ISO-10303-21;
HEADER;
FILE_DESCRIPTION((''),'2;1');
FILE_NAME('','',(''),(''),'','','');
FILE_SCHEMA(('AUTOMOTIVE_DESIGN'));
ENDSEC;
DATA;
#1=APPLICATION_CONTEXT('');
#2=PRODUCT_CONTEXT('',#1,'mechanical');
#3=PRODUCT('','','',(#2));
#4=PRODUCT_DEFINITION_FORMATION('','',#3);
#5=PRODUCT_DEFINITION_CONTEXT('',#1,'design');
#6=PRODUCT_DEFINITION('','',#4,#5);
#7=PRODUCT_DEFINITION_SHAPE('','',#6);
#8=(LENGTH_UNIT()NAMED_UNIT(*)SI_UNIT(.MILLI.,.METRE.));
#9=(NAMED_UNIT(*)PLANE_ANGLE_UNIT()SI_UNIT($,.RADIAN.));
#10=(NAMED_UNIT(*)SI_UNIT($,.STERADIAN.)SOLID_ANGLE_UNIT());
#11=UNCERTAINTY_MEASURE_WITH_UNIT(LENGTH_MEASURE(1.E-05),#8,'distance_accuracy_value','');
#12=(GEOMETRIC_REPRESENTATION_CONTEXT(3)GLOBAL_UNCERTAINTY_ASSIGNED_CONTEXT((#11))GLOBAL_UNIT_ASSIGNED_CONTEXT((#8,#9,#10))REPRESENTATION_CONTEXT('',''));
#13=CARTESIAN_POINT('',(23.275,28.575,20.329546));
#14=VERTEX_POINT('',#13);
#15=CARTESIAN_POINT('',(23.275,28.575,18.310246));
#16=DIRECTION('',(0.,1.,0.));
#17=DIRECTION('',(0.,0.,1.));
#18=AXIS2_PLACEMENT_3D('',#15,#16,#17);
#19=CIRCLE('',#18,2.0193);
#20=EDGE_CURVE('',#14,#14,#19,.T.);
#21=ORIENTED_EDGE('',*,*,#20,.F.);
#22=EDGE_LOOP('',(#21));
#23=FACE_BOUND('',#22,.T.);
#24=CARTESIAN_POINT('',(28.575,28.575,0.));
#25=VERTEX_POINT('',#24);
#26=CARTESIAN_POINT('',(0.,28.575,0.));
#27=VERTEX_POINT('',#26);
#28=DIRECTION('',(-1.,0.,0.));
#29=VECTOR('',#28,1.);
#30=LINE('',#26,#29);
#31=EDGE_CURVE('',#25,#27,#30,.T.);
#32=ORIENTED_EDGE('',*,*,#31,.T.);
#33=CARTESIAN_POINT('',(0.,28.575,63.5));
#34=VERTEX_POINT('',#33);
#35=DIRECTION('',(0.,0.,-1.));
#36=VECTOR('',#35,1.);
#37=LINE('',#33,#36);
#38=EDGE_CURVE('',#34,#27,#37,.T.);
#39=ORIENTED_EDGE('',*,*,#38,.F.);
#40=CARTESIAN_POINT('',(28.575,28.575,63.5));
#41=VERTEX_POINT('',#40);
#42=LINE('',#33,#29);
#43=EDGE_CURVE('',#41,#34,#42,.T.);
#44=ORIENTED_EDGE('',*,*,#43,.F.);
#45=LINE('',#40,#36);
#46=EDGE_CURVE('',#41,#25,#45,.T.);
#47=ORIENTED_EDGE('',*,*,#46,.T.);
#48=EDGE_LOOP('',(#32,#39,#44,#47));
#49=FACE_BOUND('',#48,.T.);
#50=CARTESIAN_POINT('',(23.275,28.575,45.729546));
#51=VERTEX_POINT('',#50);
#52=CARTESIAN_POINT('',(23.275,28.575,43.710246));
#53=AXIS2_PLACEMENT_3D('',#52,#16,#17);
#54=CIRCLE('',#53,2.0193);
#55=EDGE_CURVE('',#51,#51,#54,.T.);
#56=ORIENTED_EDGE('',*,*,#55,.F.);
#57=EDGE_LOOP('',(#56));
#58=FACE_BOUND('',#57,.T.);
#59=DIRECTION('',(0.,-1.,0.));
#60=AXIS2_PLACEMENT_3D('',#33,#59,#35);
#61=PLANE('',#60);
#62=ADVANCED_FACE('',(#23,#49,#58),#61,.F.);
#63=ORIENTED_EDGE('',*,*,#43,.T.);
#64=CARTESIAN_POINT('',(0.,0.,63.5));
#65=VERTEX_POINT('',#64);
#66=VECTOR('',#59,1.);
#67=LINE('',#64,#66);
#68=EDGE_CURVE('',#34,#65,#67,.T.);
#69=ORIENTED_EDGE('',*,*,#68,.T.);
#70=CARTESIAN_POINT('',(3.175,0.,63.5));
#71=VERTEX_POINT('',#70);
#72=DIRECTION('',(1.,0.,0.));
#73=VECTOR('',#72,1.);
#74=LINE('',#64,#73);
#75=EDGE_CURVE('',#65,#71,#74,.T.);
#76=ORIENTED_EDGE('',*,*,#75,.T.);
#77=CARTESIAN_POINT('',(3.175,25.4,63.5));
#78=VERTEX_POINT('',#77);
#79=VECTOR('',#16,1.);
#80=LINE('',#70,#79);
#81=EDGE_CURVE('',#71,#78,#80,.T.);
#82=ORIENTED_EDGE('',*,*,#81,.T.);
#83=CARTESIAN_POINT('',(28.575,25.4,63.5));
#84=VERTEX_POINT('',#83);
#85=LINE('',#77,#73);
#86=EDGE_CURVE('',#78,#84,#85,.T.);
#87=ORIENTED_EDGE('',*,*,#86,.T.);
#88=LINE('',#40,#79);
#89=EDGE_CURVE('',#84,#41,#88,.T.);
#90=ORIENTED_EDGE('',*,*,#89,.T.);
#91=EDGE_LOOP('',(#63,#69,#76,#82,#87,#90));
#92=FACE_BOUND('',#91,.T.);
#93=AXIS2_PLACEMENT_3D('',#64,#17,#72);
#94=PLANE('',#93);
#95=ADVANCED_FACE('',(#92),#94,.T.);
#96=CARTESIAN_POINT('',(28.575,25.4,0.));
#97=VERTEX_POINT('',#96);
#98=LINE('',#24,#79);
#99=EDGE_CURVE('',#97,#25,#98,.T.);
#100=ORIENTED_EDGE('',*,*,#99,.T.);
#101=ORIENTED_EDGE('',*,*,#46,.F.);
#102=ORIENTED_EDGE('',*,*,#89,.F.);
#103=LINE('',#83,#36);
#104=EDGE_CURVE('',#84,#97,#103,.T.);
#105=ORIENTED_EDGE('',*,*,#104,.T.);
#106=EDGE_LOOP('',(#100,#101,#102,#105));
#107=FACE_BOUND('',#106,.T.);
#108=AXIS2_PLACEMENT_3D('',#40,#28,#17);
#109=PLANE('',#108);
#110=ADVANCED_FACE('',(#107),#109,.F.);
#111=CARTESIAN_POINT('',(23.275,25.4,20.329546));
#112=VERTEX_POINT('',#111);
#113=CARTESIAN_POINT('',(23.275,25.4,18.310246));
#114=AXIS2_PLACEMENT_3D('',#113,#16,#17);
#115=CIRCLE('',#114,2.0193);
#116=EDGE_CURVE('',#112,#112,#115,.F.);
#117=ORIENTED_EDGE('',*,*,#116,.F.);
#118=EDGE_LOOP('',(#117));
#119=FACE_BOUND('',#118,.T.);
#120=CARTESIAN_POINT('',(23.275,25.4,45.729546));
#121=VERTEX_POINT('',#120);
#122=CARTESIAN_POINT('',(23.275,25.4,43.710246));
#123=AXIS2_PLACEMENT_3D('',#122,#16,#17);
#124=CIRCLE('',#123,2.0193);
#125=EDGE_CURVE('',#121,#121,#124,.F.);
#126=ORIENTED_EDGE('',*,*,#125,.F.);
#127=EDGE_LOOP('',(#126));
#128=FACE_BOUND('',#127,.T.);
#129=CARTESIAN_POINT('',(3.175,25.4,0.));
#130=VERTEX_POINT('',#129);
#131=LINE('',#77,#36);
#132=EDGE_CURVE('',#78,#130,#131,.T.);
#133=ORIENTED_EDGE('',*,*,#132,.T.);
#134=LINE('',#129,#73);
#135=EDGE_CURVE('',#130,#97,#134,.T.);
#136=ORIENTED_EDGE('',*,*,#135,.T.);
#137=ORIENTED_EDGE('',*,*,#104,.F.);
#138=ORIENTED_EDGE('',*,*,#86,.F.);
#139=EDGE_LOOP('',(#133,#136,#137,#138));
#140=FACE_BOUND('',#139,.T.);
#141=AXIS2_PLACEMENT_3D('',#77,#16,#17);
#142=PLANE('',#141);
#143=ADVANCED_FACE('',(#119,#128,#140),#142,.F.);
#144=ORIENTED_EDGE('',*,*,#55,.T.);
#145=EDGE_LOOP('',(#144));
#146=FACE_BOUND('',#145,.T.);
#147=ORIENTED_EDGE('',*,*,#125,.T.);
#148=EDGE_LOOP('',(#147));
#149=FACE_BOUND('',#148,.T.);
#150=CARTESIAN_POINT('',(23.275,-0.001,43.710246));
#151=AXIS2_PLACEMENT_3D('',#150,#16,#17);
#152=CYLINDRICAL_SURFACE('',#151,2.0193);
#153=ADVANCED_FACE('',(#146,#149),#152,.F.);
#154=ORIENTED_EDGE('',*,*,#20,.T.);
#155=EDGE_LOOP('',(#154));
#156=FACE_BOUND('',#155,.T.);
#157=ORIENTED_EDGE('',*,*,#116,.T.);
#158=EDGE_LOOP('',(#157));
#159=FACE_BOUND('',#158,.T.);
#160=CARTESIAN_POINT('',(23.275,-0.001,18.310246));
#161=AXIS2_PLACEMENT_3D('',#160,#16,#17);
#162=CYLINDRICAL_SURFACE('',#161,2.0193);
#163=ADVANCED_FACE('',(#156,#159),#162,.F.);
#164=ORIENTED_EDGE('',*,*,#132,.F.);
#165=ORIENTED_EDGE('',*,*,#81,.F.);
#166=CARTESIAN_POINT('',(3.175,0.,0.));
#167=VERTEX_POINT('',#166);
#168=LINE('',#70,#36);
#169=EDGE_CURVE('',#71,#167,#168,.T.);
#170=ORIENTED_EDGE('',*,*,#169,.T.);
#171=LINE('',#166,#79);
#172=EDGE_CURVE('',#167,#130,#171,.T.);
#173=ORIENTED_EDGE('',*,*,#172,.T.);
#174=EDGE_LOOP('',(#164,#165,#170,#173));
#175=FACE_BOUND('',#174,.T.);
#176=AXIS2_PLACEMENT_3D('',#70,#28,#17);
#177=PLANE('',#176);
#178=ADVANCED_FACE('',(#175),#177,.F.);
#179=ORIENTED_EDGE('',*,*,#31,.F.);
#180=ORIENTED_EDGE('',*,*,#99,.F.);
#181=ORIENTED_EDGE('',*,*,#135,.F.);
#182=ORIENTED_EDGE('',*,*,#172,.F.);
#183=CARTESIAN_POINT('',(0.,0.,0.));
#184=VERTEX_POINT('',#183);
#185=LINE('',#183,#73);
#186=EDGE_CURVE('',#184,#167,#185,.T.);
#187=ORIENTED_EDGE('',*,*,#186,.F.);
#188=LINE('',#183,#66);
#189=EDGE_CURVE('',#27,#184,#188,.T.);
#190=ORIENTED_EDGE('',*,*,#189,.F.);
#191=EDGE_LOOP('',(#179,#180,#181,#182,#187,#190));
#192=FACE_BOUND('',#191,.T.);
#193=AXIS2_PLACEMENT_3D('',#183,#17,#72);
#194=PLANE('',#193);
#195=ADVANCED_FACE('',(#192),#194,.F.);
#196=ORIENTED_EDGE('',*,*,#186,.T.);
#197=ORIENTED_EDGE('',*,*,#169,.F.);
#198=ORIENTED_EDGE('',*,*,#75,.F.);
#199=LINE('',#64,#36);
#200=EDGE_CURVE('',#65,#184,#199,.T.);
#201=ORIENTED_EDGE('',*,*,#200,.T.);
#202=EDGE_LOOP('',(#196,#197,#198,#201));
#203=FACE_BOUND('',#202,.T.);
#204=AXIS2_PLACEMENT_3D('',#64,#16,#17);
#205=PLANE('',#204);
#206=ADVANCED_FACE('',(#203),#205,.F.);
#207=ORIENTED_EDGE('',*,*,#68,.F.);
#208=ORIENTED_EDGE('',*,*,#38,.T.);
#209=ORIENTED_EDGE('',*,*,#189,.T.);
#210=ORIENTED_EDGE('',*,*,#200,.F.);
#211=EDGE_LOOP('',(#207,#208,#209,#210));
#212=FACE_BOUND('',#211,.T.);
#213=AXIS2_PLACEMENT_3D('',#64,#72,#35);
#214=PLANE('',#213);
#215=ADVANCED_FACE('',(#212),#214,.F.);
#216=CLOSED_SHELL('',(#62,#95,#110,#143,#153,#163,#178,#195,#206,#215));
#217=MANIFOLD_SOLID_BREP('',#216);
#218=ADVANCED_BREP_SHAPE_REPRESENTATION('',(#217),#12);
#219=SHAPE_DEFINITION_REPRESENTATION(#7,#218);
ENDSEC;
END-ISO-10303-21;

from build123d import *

# Parameters (mm, degrees)
BOSS_EXTRUDE1_DEPTH = 63.5
CUT_EXTRUDE1_REACH  = 30.575
SKETCH2_R           = 2.0193


with BuildPart() as part:
    # Sketch1 → Boss-Extrude1 (new body)
    with BuildSketch(Plane.XY):
        Polygon((0, 0), (0, 28.575), (28.575, 28.575), (28.575, 25.4), (3.175, 25.4), (3.175, 0), align=None)
    extrude(amount=BOSS_EXTRUDE1_DEPTH)

    # Sketch2 → Cut-Extrude1 (cut, up to next)
    with BuildSketch(Plane(origin=(0, 28.575, 0), x_dir=(1, 0, 0), z_dir=(0, 1, 0)), mode=Mode.PRIVATE) as cut_extrude1_sk1:
        with Locations((23.275, -43.710246093)):
            Circle(SKETCH2_R)
    cut_extrude1_tool1 = extrude(cut_extrude1_sk1.sketch, amount=-CUT_EXTRUDE1_REACH, mode=Mode.PRIVATE) & part.part
    add(cut_extrude1_tool1.solids().sort_by_distance((23.275, 28.575, 43.710246))[0], mode=Mode.SUBTRACT)
    # Sketch2 → Cut-Extrude1 (cut, up to next)
    with BuildSketch(Plane(origin=(0, 28.575, 0), x_dir=(1, 0, 0), z_dir=(0, 1, 0)), mode=Mode.PRIVATE) as cut_extrude1_sk2:
        with Locations((23.275, -18.310246093)):
            Circle(SKETCH2_R)
    cut_extrude1_tool2 = extrude(cut_extrude1_sk2.sketch, amount=-CUT_EXTRUDE1_REACH, mode=Mode.PRIVATE) & part.part
    add(cut_extrude1_tool2.solids().sort_by_distance((23.275, 28.575, 18.310246))[0], mode=Mode.SUBTRACT)


solid = part.part
